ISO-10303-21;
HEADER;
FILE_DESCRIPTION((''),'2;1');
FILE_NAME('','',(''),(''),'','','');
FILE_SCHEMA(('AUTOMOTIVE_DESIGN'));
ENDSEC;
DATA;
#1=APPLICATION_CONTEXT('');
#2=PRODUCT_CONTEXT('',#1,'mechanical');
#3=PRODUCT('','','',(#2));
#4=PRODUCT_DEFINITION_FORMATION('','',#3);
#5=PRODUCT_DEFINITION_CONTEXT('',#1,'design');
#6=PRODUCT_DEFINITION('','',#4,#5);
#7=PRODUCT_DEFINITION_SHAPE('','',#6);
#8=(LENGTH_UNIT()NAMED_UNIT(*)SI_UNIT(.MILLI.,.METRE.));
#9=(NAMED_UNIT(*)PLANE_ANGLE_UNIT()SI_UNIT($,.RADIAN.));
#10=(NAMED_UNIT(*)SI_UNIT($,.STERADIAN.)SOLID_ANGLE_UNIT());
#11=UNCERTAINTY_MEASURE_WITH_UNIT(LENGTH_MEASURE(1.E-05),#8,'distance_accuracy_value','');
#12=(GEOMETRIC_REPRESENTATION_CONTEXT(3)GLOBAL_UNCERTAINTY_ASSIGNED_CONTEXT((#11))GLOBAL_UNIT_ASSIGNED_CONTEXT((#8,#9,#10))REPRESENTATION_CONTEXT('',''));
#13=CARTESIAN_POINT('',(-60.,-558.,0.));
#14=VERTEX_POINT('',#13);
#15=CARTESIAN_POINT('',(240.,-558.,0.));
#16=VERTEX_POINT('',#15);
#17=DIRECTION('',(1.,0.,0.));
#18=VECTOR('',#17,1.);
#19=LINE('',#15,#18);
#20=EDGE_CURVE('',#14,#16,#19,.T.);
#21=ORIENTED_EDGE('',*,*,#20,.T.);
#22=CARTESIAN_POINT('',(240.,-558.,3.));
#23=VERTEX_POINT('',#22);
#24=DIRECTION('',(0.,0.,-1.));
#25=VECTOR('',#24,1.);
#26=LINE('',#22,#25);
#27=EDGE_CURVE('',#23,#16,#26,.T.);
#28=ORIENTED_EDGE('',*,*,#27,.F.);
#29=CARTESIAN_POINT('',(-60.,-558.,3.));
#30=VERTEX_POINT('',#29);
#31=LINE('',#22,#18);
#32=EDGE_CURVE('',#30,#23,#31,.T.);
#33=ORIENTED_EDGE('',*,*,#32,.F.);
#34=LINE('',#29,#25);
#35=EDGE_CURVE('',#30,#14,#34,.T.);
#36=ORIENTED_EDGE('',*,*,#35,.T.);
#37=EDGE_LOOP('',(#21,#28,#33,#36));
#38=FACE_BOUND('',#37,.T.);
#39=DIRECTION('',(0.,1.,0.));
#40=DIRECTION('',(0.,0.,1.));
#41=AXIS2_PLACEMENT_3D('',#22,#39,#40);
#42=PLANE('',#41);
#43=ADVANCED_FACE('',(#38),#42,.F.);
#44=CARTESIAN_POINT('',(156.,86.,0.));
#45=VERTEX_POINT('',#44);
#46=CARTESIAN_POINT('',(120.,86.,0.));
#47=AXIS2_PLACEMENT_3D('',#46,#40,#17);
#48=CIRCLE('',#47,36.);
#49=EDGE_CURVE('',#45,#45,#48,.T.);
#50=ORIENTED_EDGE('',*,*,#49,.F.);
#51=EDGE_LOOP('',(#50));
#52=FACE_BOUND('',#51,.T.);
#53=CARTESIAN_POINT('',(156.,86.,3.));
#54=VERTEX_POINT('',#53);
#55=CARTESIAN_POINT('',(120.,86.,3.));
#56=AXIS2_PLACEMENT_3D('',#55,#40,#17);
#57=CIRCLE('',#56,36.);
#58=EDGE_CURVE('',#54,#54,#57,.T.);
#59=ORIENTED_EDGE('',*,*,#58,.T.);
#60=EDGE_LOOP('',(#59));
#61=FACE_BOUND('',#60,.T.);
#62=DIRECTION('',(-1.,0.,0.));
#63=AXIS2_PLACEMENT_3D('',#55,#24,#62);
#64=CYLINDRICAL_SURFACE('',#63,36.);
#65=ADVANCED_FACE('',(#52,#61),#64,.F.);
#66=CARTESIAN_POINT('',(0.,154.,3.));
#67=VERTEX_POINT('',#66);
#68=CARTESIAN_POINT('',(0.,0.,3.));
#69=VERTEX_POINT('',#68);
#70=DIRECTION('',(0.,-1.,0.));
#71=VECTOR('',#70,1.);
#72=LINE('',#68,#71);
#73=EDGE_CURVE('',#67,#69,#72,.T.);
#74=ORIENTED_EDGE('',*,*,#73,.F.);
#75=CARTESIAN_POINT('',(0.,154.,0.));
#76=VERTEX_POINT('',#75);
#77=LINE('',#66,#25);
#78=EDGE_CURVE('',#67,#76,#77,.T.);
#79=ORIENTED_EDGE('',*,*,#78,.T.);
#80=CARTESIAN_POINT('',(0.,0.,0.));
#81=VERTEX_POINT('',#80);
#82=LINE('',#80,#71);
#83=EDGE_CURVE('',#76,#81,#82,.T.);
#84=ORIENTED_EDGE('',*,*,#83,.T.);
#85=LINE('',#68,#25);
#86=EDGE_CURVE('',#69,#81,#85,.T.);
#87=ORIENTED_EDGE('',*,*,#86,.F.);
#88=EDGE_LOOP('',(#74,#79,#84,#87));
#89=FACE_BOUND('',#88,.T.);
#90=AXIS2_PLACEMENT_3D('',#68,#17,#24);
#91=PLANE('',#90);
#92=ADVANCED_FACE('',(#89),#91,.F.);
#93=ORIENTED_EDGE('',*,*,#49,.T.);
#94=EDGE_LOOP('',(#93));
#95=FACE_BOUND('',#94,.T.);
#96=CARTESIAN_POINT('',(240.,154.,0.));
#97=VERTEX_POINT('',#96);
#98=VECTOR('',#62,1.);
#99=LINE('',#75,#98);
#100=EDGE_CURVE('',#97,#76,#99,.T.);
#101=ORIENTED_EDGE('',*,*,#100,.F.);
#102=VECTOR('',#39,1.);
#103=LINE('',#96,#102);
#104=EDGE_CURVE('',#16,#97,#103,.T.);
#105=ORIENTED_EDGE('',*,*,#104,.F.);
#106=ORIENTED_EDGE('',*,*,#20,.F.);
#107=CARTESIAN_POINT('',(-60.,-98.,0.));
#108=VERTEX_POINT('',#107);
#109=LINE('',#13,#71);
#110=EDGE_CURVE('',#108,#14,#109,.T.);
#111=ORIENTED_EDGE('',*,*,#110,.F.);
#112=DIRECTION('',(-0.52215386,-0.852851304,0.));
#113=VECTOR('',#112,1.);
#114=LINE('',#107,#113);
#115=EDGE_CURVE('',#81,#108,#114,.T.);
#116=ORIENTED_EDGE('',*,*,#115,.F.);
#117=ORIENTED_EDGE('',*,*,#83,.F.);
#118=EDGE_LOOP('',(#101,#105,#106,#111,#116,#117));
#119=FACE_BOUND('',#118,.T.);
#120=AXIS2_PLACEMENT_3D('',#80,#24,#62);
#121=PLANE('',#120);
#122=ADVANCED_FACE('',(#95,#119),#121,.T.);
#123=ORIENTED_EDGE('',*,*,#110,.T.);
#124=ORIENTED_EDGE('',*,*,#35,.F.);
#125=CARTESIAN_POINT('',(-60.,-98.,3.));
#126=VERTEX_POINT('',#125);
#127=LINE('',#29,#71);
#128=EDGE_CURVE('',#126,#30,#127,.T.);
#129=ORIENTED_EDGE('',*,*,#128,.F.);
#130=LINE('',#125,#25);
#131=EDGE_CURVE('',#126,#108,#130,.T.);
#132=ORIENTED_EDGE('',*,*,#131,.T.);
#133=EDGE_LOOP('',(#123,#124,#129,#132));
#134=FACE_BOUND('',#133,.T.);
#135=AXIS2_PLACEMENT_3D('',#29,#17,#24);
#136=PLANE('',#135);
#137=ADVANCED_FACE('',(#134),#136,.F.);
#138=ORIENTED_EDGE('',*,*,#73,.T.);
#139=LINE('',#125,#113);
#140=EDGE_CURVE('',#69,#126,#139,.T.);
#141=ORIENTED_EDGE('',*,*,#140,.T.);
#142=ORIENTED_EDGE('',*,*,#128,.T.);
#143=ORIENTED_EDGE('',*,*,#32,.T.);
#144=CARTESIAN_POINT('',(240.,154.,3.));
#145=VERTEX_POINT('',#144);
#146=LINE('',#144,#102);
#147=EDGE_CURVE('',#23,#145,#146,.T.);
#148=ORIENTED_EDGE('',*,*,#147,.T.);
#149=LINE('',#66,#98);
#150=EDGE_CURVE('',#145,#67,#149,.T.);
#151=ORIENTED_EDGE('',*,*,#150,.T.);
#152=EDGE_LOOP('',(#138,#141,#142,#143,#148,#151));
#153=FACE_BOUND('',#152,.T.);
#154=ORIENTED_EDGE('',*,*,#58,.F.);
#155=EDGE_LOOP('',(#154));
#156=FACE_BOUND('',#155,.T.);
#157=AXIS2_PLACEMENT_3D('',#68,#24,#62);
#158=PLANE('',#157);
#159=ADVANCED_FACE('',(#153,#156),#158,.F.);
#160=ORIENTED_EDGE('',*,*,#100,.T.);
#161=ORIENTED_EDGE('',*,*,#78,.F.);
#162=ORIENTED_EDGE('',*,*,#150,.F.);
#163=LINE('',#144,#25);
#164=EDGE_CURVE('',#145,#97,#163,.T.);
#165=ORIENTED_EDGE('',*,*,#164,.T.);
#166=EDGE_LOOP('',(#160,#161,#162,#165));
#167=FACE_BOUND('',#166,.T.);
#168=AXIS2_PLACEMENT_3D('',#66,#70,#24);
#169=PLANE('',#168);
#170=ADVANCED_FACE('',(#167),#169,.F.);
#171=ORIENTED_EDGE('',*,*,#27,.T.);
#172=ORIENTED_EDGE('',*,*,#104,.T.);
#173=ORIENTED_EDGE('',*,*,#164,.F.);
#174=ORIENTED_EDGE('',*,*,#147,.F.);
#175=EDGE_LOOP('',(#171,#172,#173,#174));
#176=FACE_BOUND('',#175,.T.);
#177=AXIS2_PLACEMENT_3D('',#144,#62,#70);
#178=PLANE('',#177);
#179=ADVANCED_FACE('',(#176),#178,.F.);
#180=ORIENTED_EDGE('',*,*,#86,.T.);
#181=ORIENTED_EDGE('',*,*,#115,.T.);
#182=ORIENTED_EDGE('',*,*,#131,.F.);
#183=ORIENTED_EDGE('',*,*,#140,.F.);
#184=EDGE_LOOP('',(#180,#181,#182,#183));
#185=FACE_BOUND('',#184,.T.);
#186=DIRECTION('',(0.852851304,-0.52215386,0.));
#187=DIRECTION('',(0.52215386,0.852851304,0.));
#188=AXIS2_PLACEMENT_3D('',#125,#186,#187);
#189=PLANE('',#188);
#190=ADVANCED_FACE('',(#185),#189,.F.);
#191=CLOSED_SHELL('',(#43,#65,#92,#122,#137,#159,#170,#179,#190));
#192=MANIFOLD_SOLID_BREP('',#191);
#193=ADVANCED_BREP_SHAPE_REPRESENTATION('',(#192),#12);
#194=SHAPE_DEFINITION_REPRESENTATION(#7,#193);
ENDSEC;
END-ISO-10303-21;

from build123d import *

# Parameters (mm, degrees)
SKETCH1_R           = 36
BOSS_EXTRUDE1_DEPTH = 3


with BuildPart() as part:
    # Sketch1 → Boss-Extrude1 (new body)
    with BuildSketch(Plane.XY):
        Polygon((0, 0), (0, 154), (240, 154), (240, -558), (-60, -558), (-60, -98), align=None)
        with Locations((120, 86)):
            Circle(SKETCH1_R, mode=Mode.SUBTRACT)
    extrude(amount=BOSS_EXTRUDE1_DEPTH)


solid = part.part
